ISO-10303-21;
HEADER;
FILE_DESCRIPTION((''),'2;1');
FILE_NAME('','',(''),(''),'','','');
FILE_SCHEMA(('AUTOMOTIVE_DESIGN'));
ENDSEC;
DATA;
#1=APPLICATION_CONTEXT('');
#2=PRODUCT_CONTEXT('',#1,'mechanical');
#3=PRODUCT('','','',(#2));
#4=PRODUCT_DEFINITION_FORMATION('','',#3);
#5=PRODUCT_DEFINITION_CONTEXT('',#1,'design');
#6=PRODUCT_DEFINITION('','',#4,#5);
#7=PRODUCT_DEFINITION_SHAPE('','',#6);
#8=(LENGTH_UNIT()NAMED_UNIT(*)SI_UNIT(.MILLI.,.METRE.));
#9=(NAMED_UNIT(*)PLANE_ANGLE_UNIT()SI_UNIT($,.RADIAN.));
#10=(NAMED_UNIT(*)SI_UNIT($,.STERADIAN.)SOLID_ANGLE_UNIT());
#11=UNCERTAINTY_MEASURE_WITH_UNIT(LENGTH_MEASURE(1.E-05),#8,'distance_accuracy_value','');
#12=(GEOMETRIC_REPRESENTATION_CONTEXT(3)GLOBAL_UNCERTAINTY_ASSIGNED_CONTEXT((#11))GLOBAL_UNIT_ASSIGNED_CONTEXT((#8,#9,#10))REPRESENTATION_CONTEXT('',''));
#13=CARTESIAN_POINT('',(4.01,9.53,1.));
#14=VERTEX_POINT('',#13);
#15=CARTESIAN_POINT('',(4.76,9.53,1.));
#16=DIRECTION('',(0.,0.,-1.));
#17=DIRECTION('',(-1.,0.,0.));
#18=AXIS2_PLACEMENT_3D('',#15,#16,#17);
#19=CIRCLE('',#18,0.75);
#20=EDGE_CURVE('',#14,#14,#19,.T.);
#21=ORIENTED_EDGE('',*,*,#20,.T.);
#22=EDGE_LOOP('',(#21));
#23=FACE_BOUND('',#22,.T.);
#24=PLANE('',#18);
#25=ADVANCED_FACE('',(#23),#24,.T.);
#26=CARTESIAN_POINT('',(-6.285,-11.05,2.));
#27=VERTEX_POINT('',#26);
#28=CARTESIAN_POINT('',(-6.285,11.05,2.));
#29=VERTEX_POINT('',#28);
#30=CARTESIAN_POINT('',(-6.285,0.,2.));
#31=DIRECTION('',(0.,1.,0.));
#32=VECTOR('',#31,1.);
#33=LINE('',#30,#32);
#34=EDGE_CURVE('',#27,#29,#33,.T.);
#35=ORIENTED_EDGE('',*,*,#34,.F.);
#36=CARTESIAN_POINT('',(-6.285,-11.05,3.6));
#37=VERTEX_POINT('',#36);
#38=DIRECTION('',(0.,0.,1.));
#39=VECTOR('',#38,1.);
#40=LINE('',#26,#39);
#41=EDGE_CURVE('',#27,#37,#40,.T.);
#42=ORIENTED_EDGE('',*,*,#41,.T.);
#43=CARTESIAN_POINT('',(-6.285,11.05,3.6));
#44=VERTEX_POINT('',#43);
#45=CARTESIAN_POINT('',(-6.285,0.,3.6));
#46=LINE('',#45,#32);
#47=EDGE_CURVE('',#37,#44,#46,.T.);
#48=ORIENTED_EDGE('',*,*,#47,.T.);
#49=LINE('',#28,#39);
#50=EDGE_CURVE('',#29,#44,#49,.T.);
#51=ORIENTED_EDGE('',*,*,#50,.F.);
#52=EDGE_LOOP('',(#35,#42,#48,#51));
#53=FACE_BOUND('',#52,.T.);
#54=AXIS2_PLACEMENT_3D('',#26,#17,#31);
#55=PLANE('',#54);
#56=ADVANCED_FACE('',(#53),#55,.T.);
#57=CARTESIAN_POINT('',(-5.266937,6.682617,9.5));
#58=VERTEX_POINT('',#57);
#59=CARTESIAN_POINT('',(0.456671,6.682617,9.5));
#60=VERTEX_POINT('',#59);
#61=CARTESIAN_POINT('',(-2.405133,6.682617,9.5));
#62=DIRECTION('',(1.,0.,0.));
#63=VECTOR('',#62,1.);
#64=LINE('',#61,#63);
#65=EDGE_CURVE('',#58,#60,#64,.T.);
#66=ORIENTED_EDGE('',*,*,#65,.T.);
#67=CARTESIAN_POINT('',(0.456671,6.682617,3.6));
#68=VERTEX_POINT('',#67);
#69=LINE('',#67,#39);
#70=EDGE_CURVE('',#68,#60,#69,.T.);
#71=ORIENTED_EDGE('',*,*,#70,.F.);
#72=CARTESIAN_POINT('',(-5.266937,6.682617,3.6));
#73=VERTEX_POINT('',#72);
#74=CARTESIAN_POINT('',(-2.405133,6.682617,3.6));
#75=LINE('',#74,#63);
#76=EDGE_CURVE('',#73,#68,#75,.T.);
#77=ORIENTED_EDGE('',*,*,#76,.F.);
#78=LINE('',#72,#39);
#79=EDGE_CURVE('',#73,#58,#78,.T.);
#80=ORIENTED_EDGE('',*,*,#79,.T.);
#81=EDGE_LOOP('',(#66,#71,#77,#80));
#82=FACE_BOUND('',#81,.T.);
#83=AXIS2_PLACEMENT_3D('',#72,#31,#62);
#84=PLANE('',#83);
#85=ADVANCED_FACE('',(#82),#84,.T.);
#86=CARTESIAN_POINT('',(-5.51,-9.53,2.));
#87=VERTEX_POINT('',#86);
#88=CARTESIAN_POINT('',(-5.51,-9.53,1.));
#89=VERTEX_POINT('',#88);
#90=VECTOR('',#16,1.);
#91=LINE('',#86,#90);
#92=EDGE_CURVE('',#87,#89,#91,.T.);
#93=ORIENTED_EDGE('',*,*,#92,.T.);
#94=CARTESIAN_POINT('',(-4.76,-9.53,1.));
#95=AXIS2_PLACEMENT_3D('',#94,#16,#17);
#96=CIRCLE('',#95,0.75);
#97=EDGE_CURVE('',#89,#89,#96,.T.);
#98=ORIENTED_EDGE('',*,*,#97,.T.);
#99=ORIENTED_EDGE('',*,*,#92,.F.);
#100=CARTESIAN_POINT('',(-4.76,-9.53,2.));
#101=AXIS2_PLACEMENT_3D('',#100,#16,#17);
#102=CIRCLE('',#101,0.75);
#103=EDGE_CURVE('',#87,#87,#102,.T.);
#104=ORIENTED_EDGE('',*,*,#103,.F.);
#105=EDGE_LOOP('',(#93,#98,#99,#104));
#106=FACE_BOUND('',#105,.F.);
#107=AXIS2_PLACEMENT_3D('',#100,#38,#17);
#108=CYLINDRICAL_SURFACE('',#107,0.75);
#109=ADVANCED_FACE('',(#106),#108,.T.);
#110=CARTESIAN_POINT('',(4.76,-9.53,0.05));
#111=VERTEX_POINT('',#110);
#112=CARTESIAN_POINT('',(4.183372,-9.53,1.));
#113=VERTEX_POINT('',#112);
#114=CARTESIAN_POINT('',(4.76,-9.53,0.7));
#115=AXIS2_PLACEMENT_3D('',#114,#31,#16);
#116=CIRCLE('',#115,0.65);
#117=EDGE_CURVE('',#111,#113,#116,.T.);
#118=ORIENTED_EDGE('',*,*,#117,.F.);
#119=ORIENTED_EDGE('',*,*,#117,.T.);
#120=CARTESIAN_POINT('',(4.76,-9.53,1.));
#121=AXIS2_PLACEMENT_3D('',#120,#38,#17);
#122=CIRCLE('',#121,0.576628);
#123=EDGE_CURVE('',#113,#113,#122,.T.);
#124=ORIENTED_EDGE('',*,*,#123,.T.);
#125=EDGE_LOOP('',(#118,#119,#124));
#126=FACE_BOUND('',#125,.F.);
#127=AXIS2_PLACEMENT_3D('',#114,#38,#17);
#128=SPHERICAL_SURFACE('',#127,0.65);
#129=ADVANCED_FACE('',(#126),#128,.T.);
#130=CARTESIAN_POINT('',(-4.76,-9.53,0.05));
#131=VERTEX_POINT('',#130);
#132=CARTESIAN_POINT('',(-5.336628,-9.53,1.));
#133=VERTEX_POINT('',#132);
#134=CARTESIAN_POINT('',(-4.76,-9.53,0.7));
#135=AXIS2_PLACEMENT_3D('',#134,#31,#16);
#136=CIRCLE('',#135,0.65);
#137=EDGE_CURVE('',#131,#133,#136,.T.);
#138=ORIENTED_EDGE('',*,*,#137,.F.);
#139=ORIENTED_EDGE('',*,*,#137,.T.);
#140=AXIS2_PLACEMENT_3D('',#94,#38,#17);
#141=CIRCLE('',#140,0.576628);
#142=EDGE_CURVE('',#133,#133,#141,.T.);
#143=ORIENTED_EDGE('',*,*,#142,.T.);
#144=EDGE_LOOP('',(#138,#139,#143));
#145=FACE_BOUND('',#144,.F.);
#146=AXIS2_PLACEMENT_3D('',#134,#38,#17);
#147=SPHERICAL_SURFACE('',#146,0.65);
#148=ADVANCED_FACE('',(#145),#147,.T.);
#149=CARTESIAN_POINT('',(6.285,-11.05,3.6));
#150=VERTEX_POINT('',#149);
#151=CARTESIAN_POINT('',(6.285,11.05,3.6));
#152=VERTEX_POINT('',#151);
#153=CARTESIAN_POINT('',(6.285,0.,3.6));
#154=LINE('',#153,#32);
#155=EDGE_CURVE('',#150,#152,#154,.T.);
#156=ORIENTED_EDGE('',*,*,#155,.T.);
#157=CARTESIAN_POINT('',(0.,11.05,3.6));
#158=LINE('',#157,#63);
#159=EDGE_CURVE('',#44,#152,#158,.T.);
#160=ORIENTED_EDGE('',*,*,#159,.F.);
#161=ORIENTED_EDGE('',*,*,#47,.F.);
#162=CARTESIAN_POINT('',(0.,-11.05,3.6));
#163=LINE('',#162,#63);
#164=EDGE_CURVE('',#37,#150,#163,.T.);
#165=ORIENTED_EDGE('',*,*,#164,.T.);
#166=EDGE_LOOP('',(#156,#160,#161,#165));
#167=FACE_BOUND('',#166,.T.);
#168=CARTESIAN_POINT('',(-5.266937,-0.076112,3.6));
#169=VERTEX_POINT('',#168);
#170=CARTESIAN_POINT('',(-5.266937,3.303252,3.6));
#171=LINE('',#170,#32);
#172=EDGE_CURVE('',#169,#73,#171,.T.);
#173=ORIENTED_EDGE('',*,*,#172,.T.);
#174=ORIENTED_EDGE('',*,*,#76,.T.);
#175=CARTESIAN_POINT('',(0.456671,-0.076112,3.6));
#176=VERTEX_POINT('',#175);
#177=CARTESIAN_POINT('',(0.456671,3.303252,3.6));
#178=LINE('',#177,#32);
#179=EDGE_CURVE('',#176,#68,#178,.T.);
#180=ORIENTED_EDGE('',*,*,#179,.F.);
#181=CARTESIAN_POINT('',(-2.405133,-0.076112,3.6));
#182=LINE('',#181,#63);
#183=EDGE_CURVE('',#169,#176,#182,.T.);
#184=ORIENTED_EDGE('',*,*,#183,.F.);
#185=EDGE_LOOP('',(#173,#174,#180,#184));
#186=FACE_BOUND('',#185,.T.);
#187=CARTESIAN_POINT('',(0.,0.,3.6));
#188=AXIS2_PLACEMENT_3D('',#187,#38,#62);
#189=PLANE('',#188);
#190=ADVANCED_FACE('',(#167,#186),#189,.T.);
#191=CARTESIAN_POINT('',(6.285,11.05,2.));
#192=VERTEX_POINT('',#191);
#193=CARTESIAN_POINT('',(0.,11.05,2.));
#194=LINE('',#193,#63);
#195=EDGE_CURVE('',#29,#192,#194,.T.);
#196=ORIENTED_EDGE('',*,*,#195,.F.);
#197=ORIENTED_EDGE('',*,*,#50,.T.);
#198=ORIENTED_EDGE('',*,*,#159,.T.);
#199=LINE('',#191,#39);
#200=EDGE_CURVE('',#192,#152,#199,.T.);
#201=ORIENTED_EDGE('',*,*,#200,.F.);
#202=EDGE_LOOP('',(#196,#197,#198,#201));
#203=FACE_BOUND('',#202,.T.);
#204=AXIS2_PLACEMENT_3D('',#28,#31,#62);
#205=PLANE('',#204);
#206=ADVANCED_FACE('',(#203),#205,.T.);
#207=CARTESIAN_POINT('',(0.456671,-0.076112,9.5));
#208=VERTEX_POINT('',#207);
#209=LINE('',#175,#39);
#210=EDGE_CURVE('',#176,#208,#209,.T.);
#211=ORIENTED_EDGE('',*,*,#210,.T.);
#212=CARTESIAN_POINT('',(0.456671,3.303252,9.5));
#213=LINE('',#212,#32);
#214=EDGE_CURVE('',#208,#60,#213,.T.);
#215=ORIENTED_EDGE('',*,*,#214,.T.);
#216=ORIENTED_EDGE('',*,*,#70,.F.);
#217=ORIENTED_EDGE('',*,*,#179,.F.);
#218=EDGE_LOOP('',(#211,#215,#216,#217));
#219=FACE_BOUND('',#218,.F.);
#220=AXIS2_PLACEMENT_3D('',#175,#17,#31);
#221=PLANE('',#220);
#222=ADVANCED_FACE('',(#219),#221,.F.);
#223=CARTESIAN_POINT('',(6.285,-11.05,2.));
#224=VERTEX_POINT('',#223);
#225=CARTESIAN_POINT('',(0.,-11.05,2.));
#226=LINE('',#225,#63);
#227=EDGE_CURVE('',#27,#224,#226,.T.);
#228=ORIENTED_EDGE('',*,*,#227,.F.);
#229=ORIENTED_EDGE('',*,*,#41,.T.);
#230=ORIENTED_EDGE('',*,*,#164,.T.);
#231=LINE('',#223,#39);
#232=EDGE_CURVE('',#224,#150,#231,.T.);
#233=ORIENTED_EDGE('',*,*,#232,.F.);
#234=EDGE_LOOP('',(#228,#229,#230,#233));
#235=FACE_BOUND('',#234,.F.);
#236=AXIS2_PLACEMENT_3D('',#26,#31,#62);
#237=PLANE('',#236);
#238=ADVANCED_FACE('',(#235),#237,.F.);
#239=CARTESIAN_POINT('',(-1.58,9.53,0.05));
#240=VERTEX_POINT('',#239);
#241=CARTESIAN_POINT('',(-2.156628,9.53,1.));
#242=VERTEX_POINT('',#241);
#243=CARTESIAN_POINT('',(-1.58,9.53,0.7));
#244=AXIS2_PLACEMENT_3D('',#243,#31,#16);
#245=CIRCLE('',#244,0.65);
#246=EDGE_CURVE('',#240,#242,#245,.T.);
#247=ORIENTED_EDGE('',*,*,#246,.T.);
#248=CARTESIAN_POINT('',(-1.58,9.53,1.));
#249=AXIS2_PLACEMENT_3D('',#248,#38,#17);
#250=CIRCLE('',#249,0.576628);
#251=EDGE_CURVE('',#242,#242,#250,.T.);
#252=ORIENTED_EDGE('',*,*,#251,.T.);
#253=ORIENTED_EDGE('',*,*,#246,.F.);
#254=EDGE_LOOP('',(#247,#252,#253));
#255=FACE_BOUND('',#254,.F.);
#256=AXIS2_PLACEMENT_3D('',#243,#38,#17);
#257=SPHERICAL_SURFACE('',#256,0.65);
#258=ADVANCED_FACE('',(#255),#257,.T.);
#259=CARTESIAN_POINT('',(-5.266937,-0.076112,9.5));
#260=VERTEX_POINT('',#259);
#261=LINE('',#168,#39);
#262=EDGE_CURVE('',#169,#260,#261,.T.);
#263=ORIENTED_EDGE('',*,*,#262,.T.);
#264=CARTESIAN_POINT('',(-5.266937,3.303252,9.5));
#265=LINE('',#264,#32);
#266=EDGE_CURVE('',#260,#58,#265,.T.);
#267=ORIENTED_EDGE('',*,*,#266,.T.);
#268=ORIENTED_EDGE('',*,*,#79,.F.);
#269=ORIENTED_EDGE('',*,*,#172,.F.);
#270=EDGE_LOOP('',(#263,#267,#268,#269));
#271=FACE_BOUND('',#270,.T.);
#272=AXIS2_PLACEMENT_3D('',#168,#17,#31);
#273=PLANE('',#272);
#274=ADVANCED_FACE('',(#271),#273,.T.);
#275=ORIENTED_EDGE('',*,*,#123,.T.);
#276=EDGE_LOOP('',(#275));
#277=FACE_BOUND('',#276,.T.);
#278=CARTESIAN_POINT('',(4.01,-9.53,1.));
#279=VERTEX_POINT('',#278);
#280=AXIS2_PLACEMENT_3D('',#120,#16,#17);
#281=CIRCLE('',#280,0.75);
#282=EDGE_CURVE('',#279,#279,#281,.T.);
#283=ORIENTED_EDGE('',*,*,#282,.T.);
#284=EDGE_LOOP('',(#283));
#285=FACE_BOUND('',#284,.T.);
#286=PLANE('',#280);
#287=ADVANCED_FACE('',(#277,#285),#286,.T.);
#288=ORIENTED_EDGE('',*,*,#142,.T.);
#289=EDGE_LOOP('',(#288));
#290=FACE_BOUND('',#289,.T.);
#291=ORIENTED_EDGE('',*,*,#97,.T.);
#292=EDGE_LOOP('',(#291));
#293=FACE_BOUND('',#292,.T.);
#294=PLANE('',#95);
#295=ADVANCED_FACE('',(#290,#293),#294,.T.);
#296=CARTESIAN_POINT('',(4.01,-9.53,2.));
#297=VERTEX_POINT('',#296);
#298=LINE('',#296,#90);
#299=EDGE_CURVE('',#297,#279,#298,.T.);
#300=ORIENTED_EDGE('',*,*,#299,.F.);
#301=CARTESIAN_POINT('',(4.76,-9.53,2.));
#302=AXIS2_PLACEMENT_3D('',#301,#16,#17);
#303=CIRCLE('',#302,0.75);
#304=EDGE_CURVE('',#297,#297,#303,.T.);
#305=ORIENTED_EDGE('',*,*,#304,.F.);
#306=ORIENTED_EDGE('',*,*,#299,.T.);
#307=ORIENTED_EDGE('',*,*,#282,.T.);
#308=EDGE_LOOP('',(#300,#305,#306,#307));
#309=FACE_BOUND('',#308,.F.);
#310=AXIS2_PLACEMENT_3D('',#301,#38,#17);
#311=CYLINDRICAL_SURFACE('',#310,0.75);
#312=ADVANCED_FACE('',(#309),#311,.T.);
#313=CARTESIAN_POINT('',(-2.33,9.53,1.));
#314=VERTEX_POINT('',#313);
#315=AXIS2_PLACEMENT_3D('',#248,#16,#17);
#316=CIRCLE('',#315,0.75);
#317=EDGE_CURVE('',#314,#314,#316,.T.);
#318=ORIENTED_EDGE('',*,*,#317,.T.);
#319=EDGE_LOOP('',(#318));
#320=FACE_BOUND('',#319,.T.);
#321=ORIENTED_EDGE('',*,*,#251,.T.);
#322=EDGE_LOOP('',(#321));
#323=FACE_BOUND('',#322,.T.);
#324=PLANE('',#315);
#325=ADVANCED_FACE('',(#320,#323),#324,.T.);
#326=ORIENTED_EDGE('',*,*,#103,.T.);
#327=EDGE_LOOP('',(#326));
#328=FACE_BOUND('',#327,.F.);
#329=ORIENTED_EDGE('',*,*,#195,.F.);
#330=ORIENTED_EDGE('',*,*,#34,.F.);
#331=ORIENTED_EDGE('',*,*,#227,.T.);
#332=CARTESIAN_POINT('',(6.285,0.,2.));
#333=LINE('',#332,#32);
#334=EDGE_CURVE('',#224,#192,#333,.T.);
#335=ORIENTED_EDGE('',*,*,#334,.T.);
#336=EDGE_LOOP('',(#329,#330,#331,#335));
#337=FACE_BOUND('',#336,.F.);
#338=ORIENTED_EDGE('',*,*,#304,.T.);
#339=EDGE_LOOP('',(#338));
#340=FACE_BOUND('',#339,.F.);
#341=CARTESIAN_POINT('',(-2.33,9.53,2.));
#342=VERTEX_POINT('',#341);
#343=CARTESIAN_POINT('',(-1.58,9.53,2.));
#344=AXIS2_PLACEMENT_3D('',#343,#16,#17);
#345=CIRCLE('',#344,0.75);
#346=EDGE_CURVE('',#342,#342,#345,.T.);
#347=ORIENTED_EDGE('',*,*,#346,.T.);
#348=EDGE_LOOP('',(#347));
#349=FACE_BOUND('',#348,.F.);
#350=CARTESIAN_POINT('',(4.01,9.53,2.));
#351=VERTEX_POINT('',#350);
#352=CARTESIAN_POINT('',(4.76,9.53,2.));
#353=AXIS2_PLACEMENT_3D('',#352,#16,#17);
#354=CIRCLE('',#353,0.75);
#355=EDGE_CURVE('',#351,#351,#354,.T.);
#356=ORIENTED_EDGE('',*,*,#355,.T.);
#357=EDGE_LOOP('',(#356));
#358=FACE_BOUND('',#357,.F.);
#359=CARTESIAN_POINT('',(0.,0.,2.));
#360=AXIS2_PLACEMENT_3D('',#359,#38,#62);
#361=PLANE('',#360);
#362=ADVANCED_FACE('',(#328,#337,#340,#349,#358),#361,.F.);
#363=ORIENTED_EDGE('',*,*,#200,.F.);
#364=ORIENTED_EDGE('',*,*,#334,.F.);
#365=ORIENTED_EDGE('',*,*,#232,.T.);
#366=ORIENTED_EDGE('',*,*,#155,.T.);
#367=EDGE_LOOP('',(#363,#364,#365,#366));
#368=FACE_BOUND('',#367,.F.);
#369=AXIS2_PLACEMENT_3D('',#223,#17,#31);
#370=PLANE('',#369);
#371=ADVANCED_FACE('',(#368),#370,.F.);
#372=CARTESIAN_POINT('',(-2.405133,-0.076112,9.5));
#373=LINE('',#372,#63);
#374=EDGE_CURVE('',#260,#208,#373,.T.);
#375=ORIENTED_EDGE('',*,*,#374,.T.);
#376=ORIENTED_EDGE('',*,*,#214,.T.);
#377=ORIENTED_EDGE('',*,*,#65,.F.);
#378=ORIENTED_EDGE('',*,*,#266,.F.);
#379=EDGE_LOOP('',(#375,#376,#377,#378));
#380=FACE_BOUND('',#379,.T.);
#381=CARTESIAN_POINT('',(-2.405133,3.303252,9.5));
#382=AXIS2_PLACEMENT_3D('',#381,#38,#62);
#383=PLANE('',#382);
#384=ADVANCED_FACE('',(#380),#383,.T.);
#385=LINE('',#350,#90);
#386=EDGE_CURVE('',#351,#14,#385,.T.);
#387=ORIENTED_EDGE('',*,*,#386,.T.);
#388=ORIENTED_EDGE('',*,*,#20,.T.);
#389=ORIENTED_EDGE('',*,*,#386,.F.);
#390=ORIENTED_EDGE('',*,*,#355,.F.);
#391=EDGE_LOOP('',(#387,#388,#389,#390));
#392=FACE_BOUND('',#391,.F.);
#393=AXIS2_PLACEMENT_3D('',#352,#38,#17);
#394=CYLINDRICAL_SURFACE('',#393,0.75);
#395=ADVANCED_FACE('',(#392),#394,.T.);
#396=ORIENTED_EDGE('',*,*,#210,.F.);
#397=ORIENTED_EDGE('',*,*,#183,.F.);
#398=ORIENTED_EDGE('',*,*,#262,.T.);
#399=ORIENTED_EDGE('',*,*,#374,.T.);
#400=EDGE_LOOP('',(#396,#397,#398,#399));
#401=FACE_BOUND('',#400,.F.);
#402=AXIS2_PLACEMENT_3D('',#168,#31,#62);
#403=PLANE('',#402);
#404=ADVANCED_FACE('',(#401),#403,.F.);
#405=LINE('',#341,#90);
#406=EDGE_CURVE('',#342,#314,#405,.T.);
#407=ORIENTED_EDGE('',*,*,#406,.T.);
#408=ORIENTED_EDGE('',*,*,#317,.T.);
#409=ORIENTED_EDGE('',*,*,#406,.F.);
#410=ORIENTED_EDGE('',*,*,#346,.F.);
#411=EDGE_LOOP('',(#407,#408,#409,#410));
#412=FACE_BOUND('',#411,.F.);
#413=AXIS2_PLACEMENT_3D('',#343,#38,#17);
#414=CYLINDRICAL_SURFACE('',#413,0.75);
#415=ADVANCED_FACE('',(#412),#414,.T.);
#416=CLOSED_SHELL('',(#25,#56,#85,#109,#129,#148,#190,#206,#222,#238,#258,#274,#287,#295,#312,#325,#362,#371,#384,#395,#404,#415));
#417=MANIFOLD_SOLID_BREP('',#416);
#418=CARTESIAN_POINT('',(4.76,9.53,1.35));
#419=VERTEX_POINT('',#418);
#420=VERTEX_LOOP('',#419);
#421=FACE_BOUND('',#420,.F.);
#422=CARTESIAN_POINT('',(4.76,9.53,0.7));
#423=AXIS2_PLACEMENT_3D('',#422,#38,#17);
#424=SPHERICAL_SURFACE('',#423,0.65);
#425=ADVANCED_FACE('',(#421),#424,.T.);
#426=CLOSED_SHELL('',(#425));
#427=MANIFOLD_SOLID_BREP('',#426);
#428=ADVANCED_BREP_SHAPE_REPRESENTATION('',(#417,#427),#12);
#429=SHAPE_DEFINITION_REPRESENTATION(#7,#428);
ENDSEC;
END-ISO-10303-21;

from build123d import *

# Parameters (mm, degrees)
BOSS_EXTRUDE1_START = 2
SKETCH1_W           = 12.57
SKETCH1_H           = 22.1
BOSS_EXTRUDE1_DEPTH = 1.6
SKETCH2_W           = 5.723607812
SKETCH2_H           = 6.758728373
BOSS_EXTRUDE2_DEPTH = 5.9
SKETCH3_R           = 0.75
BOSS_EXTRUDE3_DEPTH = 1


with BuildPart() as part:
    # Sketch1 → Boss-Extrude1 (new body)
    with BuildSketch(Plane.XY.offset(BOSS_EXTRUDE1_START)):
        Rectangle(SKETCH1_W, SKETCH1_H)
    extrude(amount=BOSS_EXTRUDE1_DEPTH)

    # Sketch2 → Boss-Extrude2 (add)
    with BuildSketch(Plane.XY.offset(3.6)):
        with Locations((-2.40513307, 3.303252381)):
            Rectangle(SKETCH2_W, SKETCH2_H)
    extrude(amount=BOSS_EXTRUDE2_DEPTH)

    # Sketch3 → Boss-Extrude3 (add)
    with BuildSketch(Plane(origin=(0, 0, 2), x_dir=(-1, 0, 0), z_dir=(0, 0, -1))):
        with Locations((-4.76, 9.53)):
            Circle(SKETCH3_R)
        with Locations((-4.76, -9.53)):
            Circle(SKETCH3_R)
        with Locations((4.76, -9.53)):
            Circle(SKETCH3_R)
        with Locations((1.58, 9.53)):
            Circle(SKETCH3_R)
    extrude(amount=BOSS_EXTRUDE3_DEPTH)


with BuildPart() as body_2:
    # Sketch4 → Revolve1 (revolve)
    with BuildSketch(Plane(origin=(0, 9.53, 0), x_dir=(1, 0, 0), z_dir=(0, 1, 0))):
        with BuildLine():
            Line((4.76, -1.35), (4.76, -0.05))
            ThreePointArc((4.76, -0.05), (4.11, -0.7), (4.76, -1.35))
        make_face()
    revolve1 = revolve(axis=Axis((4.76, 9.53, 1.35), (0, 0, -1)))


with BuildPart() as part_1:
    add(part.part)

    # Sketch-Pattern2: Revolve1 at 3 more places
    with Locations((-6.34, 0, 0), (0, -19.06, 0), (-9.52, -19.06, 0)):
        add(revolve1)


solid = Compound([body_2.part, part_1.part])
